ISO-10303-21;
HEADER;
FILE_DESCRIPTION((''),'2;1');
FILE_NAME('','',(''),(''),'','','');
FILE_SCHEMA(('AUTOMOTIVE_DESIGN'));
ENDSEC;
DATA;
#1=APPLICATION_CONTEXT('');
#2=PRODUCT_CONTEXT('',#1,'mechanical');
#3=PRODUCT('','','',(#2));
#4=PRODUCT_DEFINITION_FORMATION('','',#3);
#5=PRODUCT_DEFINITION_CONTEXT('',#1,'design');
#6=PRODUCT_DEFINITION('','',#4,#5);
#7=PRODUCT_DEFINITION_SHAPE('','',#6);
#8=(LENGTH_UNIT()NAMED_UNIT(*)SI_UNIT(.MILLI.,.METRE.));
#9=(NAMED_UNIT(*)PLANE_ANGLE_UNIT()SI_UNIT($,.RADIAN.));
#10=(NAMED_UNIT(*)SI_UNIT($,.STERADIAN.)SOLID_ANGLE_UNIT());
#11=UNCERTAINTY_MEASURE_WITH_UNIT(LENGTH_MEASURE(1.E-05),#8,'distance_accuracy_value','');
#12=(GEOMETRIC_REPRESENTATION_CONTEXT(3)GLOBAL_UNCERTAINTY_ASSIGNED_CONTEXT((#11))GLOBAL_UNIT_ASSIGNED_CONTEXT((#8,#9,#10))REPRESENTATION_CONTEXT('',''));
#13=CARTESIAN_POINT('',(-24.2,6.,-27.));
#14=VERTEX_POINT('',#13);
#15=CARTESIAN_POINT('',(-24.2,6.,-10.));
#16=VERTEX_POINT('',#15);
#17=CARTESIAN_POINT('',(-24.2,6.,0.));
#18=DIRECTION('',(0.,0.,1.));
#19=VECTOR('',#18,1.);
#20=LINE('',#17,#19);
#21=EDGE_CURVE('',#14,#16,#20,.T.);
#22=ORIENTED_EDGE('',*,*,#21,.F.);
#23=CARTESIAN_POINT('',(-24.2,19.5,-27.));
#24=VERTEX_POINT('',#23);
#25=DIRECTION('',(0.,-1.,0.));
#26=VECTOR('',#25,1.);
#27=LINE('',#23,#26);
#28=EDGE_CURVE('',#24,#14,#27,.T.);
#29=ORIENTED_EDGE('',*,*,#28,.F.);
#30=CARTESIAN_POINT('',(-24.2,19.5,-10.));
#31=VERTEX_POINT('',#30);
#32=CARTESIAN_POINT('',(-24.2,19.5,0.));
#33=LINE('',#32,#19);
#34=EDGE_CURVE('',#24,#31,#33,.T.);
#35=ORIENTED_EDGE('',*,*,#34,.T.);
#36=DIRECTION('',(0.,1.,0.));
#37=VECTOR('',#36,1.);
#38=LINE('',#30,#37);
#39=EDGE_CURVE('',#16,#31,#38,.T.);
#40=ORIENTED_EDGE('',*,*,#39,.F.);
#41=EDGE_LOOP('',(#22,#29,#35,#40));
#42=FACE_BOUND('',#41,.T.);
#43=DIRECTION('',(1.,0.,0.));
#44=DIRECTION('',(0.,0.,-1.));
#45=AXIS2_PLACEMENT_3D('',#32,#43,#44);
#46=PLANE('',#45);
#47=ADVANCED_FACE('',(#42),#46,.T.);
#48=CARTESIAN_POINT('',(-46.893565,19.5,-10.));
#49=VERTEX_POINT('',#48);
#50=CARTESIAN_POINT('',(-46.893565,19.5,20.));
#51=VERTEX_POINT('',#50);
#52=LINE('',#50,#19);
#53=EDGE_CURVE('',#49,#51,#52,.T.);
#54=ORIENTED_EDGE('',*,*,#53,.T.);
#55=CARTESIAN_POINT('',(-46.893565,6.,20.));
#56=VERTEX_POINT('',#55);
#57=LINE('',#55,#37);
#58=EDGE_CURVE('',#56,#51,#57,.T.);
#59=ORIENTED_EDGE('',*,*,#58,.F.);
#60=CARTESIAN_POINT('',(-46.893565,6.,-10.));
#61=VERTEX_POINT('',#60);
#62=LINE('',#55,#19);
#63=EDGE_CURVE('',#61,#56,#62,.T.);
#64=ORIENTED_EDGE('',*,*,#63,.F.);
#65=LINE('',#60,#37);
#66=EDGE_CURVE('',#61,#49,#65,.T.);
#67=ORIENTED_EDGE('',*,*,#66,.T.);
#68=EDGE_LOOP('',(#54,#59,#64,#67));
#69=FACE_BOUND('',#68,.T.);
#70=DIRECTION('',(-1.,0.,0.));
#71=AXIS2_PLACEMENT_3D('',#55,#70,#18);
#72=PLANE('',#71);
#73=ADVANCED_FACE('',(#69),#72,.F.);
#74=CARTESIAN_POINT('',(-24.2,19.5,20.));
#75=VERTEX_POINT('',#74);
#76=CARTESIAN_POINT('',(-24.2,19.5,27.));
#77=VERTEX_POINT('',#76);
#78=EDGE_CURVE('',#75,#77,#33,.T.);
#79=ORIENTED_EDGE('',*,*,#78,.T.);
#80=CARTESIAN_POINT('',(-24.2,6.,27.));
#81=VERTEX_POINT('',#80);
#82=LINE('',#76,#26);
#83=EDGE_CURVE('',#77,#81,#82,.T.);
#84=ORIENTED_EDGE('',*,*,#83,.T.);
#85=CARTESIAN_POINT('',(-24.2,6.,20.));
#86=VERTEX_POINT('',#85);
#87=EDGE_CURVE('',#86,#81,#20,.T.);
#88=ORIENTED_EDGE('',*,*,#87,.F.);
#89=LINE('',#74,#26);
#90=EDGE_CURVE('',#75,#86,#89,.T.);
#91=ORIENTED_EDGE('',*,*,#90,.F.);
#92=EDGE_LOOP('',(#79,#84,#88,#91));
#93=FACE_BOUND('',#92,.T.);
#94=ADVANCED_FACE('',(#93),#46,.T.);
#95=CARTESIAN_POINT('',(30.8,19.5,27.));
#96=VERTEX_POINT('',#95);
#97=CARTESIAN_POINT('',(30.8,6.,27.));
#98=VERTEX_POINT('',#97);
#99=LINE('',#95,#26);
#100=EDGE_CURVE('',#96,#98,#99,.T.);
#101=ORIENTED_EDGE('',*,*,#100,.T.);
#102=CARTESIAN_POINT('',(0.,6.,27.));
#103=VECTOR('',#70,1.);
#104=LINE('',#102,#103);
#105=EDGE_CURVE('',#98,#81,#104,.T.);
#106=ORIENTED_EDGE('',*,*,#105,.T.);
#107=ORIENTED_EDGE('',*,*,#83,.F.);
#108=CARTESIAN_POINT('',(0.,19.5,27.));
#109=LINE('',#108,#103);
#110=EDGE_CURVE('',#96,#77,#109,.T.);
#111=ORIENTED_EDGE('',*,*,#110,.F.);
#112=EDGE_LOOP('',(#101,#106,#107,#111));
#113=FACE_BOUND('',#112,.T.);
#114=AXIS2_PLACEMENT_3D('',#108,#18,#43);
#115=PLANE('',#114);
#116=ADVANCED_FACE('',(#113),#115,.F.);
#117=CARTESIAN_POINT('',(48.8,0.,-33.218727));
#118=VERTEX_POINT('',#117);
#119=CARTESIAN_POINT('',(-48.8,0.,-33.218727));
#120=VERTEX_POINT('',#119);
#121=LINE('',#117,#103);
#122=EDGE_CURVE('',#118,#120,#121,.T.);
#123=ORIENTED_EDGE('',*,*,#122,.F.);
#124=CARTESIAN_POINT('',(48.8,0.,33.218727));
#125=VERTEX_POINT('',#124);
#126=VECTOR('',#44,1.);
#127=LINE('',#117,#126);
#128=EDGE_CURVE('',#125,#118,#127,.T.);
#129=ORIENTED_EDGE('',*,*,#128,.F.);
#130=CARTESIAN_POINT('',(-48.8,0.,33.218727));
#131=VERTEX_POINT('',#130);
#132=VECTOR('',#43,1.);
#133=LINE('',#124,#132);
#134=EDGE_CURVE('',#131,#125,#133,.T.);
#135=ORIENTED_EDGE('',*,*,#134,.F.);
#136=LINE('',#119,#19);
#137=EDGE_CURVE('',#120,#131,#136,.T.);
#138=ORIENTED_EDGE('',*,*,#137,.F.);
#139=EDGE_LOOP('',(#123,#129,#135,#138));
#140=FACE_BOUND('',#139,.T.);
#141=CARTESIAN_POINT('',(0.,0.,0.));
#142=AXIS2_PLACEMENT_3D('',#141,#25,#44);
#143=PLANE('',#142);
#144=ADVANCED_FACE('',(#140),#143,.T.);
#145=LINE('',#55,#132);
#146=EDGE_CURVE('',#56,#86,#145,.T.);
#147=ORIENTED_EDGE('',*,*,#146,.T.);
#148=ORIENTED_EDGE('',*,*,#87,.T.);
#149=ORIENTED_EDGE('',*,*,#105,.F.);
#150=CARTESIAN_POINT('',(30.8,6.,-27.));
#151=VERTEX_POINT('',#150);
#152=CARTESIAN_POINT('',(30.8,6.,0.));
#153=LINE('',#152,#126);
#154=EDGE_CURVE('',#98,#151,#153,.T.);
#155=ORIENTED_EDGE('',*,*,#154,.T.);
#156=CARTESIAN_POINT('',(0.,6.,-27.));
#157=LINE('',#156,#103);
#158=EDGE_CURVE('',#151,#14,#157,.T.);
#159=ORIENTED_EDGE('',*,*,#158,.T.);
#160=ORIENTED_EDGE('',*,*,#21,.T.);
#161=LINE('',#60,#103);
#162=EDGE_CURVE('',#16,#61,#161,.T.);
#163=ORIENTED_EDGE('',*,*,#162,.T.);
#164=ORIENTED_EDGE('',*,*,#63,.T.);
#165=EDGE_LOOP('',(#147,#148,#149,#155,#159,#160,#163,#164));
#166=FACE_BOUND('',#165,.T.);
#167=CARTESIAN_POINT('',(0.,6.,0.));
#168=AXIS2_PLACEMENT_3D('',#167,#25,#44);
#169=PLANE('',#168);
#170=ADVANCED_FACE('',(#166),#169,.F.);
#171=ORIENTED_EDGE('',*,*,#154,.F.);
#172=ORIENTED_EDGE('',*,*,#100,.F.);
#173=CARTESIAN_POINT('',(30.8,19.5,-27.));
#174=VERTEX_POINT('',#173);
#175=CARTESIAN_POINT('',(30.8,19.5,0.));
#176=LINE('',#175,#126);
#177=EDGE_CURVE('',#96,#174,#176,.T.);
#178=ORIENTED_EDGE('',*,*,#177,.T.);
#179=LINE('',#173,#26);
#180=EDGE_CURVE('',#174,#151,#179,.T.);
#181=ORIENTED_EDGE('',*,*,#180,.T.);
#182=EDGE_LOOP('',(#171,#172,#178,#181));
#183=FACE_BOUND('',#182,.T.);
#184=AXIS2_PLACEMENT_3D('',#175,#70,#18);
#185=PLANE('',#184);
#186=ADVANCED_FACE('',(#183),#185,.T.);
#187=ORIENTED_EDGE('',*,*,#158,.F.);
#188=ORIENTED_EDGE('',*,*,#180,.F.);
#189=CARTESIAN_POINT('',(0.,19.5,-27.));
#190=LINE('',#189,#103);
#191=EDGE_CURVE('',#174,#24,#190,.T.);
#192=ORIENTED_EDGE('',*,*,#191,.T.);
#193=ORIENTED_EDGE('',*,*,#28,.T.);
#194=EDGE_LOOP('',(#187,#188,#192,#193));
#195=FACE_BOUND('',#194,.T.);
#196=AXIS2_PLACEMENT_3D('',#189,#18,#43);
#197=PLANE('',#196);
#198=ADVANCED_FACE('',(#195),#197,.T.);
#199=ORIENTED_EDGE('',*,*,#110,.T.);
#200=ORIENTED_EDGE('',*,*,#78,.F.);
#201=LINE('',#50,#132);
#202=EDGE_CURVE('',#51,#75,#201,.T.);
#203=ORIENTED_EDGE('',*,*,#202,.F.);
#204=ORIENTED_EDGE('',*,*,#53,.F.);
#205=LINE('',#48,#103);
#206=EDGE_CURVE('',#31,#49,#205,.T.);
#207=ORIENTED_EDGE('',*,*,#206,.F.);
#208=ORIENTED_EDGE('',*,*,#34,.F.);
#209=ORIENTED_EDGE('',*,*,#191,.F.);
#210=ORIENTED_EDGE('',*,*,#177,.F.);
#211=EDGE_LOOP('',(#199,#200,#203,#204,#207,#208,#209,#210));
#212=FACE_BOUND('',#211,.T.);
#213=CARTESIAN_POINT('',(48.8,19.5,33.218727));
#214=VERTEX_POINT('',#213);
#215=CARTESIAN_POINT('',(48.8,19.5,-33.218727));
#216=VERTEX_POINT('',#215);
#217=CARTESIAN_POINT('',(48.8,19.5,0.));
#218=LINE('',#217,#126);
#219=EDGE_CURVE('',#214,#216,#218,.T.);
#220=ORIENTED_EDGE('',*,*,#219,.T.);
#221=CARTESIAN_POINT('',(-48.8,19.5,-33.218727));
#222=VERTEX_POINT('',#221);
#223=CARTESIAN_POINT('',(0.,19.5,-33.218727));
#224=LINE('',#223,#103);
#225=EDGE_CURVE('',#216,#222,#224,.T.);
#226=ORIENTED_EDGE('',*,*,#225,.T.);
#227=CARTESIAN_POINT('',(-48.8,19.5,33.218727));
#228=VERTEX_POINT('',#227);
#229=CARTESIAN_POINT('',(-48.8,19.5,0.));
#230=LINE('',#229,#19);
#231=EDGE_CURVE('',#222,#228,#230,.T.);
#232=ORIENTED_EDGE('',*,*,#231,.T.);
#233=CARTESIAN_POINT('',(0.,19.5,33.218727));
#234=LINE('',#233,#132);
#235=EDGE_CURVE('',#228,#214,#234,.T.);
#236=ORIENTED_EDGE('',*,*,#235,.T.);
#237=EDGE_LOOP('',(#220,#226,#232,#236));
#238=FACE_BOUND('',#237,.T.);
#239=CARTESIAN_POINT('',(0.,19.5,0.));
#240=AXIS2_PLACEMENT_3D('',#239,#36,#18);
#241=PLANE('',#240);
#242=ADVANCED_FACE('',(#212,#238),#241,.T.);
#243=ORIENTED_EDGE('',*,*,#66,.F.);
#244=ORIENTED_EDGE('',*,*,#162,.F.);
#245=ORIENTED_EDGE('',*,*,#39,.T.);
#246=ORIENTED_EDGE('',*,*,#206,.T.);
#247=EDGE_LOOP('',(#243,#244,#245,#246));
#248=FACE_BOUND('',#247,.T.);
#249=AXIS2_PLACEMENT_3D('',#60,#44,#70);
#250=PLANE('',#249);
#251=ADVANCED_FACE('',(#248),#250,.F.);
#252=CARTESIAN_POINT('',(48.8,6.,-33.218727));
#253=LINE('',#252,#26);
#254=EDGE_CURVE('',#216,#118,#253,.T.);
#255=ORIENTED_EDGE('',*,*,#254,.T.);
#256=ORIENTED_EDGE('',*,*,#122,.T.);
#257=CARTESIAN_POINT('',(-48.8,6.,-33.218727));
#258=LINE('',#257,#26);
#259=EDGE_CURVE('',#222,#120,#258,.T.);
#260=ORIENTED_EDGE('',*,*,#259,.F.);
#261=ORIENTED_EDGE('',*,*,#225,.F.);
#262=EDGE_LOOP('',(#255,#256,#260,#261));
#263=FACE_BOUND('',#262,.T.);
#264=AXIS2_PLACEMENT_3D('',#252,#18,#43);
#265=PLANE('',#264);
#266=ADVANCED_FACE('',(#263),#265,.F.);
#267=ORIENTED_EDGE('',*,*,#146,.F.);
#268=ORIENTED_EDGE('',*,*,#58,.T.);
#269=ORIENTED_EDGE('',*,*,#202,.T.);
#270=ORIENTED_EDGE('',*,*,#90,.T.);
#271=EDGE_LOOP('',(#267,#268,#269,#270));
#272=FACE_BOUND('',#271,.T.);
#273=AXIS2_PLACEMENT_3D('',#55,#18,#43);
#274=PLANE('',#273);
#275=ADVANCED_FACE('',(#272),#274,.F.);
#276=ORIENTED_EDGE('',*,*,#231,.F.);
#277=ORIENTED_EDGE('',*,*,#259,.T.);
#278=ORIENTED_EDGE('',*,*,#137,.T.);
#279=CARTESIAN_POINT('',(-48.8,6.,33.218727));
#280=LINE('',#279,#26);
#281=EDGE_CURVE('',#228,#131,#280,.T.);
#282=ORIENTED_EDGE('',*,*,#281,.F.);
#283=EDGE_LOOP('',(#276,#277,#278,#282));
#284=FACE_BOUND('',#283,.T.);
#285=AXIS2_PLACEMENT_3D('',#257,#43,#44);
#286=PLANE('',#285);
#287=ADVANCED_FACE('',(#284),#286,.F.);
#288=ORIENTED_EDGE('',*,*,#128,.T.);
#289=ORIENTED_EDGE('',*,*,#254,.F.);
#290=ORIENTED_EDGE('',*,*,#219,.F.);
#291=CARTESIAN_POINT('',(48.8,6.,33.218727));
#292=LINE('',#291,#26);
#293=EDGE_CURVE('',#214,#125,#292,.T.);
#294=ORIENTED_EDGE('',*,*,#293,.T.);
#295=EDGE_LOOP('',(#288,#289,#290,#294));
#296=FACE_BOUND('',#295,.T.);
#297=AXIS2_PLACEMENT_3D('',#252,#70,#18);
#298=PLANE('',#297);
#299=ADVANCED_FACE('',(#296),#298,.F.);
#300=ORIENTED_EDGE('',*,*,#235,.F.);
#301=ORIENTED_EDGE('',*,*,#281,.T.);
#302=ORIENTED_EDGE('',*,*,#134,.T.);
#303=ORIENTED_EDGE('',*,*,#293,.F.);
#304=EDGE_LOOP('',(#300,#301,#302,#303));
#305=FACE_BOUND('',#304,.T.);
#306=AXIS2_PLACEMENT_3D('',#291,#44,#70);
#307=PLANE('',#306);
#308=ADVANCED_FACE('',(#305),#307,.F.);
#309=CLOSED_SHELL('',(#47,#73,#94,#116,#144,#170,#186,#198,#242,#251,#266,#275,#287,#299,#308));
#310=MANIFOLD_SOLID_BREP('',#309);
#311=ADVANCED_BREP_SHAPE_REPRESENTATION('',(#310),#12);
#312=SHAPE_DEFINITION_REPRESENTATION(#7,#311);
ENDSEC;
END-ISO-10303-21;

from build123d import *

# Parameters (mm, degrees)
SKETCH1_W           = 97.6
SKETCH1_H           = 66.43745389
BOSS_EXTRUDE1_DEPTH = 6
SKETCH4_W           = 24.6
SKETCH4_H           = 54
SKETCH4_H_2         = 6.218726945
SKETCH4_W_2         = 55
SKETCH4_W_3         = 18
BOSS_EXTRUDE2_DEPTH = 13.5
SKETCH5_W           = 34.693830492
SKETCH5_H           = 30
CUT_EXTRUDE1_DEPTH  = 13.5


with BuildPart() as part:
    # Sketch1 → Boss-Extrude1 (new body)
    with BuildSketch(Plane(origin=(0, 0, 0), x_dir=(1, 0, 0), z_dir=(0, 1, 0))):
        Rectangle(SKETCH1_W, SKETCH1_H)
    extrude(amount=BOSS_EXTRUDE1_DEPTH)

    # Sketch4 → Boss-Extrude2 (add)
    with BuildSketch(Plane(origin=(0, 6, 0), x_dir=(1, 0, 0), z_dir=(0, 1, 0))):
        with Locations((-36.5, 0)):
            Rectangle(SKETCH4_W, SKETCH4_H)
        with Locations((-36.5, -30.109363473)):
            Rectangle(SKETCH4_W, SKETCH4_H_2)
        with Locations((3.3, -30.109363473)):
            Rectangle(SKETCH4_W_2, SKETCH4_H_2)
        with Locations((39.8, -30.109363473)):
            Rectangle(SKETCH4_W_3, SKETCH4_H_2)
        with Locations((39.8, 0)):
            Rectangle(SKETCH4_W_3, SKETCH4_H)
        with Locations((39.8, 30.109363473)):
            Rectangle(SKETCH4_W_3, SKETCH4_H_2)
        with Locations((-36.5, 30.109363473)):
            Rectangle(SKETCH4_W, SKETCH4_H_2)
        with Locations((3.3, 30.109363473)):
            Rectangle(SKETCH4_W_2, SKETCH4_H_2)
    extrude(amount=BOSS_EXTRUDE2_DEPTH)

    # Sketch5 → Cut-Extrude1 (cut)
    with BuildSketch(Plane(origin=(0, 19.5, 0), x_dir=(1, 0, 0), z_dir=(0, 1, 0))):
        with Locations((-29.546650011, -5)):
            Rectangle(SKETCH5_W, SKETCH5_H)
    extrude(amount=-CUT_EXTRUDE1_DEPTH, mode=Mode.SUBTRACT)


solid = part.part
